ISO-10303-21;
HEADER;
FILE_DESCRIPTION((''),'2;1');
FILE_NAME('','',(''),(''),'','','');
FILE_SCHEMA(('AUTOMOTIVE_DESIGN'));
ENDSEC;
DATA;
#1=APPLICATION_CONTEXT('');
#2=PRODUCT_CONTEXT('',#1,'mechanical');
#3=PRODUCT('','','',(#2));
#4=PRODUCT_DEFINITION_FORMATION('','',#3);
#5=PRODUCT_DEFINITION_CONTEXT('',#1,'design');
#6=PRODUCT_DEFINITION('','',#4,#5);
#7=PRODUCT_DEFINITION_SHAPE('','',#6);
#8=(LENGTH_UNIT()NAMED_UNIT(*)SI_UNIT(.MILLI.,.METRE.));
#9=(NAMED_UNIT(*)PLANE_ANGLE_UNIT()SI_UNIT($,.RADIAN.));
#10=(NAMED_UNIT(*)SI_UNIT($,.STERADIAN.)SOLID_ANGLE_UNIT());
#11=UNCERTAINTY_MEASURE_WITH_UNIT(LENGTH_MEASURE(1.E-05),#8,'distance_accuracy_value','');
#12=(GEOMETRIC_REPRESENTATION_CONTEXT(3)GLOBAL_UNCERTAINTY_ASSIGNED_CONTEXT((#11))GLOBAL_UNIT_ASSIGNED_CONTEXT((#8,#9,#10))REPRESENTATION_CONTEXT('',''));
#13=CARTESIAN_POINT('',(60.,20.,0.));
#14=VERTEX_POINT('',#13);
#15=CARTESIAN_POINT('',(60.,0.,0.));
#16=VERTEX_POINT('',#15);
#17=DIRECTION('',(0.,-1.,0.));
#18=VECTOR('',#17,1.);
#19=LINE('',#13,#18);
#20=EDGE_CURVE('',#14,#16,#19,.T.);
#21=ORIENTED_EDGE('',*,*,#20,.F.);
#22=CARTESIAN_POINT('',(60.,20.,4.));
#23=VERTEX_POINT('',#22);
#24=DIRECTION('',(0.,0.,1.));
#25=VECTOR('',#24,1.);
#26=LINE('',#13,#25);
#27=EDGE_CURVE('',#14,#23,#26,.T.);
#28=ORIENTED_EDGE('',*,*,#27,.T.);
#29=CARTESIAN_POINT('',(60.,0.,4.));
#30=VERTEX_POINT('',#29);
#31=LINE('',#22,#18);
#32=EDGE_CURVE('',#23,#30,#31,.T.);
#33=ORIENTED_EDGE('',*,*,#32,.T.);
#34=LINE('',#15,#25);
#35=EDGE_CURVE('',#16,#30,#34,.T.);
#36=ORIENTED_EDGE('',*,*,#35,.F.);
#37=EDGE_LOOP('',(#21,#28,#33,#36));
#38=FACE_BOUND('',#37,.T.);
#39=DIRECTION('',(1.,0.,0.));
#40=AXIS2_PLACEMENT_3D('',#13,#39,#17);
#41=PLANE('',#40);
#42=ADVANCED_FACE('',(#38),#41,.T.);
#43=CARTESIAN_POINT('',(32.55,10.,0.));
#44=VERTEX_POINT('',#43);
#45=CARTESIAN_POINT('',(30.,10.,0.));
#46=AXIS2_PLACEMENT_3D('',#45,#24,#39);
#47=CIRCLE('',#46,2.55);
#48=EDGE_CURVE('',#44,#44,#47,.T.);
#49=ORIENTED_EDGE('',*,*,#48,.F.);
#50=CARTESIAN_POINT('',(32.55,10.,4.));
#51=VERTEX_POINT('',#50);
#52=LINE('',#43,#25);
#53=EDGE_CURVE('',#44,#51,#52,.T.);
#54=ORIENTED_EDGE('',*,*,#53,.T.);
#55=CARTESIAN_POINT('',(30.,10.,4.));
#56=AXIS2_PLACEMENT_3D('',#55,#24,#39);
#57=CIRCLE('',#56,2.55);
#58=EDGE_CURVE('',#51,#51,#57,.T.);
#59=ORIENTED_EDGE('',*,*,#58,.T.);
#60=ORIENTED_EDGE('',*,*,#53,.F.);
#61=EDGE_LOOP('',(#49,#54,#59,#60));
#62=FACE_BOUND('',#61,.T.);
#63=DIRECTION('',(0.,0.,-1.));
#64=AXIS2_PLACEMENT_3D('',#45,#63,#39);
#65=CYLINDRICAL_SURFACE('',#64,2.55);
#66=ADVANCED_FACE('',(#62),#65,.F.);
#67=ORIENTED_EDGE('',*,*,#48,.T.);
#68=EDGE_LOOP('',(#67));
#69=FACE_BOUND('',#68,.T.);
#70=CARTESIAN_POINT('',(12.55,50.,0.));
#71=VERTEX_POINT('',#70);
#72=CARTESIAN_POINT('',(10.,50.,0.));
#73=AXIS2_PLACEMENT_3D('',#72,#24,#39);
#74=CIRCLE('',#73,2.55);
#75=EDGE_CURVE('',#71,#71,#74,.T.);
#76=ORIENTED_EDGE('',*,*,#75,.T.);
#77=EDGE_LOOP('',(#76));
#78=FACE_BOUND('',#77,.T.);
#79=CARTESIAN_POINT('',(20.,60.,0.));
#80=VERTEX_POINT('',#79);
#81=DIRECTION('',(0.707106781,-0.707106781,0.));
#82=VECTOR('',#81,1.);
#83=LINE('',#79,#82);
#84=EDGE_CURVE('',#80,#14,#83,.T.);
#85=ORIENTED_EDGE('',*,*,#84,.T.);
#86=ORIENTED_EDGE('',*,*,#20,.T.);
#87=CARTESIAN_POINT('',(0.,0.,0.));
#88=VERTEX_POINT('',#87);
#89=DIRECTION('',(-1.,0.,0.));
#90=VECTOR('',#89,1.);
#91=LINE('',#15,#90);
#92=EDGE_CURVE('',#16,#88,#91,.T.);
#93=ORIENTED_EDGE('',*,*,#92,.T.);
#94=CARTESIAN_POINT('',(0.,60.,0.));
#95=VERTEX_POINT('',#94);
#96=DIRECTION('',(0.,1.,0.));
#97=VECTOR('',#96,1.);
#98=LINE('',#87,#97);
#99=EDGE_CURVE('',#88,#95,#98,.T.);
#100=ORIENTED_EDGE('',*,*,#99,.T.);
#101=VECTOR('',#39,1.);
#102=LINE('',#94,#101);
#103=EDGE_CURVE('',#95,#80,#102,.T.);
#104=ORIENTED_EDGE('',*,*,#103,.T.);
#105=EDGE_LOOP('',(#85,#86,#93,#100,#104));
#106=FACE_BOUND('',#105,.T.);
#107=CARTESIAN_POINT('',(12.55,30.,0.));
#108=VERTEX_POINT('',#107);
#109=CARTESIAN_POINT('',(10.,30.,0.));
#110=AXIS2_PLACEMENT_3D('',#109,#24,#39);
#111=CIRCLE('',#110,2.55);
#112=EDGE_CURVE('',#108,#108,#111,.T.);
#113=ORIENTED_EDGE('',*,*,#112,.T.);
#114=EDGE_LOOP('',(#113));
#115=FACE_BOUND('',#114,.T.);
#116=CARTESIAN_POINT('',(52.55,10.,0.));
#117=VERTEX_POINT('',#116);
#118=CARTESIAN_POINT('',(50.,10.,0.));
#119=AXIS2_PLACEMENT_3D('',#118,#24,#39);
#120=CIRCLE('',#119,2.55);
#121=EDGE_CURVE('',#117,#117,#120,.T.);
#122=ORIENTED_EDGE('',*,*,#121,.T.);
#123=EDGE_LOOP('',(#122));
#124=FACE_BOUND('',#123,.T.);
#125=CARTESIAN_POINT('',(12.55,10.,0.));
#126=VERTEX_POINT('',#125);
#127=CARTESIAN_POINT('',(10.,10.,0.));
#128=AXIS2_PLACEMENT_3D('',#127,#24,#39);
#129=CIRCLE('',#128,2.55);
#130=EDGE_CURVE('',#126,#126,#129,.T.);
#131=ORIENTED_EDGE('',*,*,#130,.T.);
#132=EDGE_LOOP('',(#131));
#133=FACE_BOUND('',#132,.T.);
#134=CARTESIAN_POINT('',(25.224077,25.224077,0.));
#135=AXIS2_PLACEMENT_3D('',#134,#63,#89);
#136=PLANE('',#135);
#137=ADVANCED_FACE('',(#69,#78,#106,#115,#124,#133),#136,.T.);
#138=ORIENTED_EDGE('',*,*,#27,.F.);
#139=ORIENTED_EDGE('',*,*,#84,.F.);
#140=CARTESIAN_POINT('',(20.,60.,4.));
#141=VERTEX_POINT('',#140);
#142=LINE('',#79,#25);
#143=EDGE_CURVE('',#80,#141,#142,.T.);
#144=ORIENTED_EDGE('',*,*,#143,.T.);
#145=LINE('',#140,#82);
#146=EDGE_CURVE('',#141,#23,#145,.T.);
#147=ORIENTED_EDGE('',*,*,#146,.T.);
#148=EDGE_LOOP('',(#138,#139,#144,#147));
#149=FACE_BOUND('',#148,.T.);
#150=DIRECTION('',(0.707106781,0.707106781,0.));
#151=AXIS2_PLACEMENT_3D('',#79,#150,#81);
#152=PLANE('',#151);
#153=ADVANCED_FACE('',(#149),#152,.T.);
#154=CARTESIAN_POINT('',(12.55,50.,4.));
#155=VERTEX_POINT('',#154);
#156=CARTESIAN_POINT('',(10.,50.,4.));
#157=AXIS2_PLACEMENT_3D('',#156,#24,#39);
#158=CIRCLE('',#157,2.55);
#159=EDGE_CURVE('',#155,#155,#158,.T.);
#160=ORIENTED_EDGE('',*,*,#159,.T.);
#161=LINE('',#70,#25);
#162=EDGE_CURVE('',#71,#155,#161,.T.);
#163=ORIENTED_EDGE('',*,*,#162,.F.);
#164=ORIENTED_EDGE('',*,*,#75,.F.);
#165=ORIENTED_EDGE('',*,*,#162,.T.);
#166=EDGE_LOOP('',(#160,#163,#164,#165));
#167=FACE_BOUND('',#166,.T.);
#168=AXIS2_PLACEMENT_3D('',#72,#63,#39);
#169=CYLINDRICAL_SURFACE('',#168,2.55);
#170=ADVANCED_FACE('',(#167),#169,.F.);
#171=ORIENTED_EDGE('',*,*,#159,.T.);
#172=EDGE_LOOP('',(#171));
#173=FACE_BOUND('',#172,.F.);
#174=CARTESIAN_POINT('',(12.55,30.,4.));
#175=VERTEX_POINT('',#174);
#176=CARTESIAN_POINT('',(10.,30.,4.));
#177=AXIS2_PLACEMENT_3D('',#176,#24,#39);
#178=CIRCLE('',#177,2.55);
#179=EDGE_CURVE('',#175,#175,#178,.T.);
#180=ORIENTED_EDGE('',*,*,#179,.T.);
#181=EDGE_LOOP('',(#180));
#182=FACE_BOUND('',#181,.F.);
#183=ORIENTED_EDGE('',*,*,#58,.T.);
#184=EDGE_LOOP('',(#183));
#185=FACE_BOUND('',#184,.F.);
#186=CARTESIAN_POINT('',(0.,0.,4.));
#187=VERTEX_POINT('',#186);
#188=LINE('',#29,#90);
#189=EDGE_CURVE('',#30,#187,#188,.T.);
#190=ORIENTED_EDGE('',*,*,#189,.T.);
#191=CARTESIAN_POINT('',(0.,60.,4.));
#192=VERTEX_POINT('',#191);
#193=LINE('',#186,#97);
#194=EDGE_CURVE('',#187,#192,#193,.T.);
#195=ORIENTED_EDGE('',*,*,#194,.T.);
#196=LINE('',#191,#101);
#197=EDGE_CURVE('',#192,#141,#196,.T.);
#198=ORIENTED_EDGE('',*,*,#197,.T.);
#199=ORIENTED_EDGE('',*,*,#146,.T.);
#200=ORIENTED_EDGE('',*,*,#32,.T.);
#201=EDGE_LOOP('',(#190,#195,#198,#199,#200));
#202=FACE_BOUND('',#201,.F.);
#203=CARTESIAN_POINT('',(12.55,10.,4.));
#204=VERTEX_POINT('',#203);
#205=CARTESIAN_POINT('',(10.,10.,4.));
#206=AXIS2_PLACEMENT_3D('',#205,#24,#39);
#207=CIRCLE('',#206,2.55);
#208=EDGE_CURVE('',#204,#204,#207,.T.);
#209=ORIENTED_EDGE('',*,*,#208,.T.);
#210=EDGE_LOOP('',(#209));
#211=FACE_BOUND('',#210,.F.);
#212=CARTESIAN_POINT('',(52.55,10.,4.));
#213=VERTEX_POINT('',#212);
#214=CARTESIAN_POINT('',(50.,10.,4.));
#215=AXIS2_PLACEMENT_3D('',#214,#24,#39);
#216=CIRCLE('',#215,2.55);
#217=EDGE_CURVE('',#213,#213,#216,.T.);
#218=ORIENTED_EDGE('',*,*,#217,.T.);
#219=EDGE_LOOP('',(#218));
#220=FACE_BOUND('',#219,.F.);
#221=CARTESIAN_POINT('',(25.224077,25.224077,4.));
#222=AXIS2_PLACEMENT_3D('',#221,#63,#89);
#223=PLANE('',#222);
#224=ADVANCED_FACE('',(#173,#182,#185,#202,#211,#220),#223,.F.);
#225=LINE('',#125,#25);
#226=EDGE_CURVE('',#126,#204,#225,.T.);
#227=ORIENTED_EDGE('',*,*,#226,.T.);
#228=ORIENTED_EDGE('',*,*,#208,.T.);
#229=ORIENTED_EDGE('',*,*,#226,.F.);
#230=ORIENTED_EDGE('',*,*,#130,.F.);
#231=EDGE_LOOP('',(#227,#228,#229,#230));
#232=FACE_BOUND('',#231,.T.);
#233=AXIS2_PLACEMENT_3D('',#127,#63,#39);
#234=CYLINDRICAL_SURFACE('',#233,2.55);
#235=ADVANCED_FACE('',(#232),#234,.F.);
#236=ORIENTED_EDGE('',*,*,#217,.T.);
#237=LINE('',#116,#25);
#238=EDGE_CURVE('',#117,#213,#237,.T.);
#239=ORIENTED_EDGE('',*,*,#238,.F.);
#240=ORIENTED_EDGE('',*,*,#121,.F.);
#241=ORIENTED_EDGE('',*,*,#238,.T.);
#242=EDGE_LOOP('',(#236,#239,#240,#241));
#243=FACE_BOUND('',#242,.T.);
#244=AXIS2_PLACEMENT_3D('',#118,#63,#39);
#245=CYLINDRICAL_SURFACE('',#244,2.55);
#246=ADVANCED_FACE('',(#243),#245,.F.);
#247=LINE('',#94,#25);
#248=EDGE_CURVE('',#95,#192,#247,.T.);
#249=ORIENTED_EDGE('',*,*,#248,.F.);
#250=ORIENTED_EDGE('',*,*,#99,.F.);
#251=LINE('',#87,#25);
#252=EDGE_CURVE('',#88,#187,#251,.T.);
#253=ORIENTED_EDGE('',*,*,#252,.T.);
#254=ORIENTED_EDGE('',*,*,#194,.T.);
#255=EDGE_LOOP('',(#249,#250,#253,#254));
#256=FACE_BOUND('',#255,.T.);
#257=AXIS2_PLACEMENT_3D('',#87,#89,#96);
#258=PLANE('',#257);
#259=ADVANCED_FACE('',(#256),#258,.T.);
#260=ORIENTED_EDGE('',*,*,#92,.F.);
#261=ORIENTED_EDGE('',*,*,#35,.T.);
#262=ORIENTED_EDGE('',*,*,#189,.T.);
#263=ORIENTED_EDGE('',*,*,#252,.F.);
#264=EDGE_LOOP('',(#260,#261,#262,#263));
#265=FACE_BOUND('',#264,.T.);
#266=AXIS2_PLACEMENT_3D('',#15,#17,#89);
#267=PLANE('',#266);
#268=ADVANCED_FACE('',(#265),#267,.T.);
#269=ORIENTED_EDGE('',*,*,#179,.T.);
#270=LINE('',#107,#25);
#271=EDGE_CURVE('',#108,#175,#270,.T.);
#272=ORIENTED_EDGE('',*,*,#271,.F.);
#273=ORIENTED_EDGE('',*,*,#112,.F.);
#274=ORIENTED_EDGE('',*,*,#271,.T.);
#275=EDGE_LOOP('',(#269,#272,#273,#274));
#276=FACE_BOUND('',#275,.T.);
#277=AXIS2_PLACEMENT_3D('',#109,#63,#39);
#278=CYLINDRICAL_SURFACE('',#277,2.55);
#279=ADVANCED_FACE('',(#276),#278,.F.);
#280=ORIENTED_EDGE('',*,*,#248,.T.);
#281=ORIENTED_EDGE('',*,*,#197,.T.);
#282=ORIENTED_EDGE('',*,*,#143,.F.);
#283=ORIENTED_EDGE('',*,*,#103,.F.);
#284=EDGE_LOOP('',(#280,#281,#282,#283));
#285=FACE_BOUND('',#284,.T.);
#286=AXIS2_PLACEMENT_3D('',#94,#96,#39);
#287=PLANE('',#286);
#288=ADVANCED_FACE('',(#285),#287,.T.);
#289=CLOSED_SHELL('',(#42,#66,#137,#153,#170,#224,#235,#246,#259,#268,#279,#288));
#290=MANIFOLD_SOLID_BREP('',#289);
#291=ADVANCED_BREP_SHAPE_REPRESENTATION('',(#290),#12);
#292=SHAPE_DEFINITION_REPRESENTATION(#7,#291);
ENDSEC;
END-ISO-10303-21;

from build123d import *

# Parameters (mm, degrees)
SKETCH_R  = 2.55
PAD_DEPTH = 4


with BuildPart() as part:
    # Sketch → Pad (new body)
    with BuildSketch(Plane.XY):
        Polygon((0, 0), (0, 60), (20, 60), (60, 20), (60, 0), align=None)
        with Locations((10, 10)):
            Circle(SKETCH_R, mode=Mode.SUBTRACT)
        with Locations((30, 10)):
            Circle(SKETCH_R, mode=Mode.SUBTRACT)
        with Locations((50, 10)):
            Circle(SKETCH_R, mode=Mode.SUBTRACT)
        with Locations((10, 30)):
            Circle(SKETCH_R, mode=Mode.SUBTRACT)
        with Locations((10, 50)):
            Circle(SKETCH_R, mode=Mode.SUBTRACT)
    extrude(amount=PAD_DEPTH)


solid = part.part
